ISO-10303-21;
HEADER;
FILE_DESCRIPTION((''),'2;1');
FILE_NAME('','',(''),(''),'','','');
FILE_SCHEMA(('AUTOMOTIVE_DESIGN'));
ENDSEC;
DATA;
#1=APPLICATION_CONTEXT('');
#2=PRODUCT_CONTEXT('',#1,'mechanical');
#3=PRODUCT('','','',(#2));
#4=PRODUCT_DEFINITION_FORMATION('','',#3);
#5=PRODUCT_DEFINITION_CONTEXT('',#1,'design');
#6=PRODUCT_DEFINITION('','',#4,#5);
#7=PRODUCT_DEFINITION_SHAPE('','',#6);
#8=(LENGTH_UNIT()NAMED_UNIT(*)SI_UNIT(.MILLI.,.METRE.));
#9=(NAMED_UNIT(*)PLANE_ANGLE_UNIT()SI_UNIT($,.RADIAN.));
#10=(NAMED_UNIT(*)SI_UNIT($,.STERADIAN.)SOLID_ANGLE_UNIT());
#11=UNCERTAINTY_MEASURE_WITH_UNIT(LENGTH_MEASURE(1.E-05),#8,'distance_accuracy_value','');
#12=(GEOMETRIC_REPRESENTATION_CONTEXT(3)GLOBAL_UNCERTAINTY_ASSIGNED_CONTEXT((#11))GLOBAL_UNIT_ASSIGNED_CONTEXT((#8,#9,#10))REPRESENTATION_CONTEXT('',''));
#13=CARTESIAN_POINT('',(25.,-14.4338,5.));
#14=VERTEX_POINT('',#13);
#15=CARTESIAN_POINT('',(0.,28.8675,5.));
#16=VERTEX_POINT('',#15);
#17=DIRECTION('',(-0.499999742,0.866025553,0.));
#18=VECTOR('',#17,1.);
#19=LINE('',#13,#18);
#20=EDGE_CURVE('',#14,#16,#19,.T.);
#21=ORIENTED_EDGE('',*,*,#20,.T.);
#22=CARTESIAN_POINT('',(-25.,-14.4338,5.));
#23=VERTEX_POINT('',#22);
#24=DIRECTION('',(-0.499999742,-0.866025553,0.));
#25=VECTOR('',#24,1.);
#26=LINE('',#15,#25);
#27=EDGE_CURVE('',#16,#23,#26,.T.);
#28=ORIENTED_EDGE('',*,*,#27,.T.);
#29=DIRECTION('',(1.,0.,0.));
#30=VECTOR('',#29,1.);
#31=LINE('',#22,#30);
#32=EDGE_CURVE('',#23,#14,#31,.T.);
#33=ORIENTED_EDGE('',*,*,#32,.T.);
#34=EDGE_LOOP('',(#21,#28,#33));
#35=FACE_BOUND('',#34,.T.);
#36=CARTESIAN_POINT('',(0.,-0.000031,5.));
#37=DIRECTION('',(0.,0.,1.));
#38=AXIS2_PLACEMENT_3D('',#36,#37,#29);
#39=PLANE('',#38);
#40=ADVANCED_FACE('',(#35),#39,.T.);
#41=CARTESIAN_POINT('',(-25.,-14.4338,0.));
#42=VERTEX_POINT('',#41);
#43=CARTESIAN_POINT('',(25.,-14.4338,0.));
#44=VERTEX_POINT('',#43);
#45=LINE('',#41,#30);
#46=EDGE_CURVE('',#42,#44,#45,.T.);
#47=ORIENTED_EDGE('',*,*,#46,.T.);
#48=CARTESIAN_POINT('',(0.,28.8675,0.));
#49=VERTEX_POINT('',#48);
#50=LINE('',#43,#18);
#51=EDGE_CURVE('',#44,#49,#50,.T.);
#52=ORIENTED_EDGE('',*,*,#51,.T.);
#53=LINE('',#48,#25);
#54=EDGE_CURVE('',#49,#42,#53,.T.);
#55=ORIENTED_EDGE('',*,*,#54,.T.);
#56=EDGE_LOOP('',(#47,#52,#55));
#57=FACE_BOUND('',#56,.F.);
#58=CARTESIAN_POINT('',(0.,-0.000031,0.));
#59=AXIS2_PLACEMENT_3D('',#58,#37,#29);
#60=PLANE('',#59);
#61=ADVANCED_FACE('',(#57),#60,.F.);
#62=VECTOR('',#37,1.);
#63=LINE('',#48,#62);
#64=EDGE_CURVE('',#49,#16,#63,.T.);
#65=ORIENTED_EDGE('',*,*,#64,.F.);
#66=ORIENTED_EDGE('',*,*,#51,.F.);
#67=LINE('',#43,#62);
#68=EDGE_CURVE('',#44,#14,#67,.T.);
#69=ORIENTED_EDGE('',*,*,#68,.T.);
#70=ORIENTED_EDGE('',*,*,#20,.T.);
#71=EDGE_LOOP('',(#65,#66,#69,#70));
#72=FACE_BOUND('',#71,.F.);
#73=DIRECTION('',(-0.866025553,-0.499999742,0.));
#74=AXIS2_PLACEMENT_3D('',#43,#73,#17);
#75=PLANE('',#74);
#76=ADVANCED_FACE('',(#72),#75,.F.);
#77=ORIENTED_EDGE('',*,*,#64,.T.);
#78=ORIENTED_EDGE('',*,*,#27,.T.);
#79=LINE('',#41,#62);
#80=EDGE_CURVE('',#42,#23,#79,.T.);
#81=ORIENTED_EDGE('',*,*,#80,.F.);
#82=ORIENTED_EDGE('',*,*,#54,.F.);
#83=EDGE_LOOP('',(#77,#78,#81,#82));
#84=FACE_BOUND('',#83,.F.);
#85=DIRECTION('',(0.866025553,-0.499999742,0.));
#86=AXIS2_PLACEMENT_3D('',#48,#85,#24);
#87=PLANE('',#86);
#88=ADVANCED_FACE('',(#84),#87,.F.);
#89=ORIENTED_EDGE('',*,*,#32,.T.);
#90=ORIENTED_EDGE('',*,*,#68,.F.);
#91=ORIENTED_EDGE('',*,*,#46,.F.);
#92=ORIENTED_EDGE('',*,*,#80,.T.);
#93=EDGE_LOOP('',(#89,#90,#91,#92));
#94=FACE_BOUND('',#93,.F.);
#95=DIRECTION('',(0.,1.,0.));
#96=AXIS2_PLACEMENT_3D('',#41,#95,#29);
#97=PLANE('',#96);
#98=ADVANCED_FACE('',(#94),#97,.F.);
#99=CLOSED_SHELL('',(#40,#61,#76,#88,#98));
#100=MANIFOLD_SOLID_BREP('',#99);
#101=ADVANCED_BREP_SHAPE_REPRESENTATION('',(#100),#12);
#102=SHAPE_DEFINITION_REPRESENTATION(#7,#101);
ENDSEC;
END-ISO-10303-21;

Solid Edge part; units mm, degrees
sketch "Sketch1" plane through (0, 0, 0) normal (0, 0, 1) x (1, 0, 0)
  line L0 (0, 28.8675) -> (-25, -14.4338)
  line L1 (-25, -14.4338) -> (25, -14.4338)
  line L2 (25, -14.4338) -> (0, 28.8675)
extrude "Protrusion1" add sketch "Sketch1" along normal blind 5
